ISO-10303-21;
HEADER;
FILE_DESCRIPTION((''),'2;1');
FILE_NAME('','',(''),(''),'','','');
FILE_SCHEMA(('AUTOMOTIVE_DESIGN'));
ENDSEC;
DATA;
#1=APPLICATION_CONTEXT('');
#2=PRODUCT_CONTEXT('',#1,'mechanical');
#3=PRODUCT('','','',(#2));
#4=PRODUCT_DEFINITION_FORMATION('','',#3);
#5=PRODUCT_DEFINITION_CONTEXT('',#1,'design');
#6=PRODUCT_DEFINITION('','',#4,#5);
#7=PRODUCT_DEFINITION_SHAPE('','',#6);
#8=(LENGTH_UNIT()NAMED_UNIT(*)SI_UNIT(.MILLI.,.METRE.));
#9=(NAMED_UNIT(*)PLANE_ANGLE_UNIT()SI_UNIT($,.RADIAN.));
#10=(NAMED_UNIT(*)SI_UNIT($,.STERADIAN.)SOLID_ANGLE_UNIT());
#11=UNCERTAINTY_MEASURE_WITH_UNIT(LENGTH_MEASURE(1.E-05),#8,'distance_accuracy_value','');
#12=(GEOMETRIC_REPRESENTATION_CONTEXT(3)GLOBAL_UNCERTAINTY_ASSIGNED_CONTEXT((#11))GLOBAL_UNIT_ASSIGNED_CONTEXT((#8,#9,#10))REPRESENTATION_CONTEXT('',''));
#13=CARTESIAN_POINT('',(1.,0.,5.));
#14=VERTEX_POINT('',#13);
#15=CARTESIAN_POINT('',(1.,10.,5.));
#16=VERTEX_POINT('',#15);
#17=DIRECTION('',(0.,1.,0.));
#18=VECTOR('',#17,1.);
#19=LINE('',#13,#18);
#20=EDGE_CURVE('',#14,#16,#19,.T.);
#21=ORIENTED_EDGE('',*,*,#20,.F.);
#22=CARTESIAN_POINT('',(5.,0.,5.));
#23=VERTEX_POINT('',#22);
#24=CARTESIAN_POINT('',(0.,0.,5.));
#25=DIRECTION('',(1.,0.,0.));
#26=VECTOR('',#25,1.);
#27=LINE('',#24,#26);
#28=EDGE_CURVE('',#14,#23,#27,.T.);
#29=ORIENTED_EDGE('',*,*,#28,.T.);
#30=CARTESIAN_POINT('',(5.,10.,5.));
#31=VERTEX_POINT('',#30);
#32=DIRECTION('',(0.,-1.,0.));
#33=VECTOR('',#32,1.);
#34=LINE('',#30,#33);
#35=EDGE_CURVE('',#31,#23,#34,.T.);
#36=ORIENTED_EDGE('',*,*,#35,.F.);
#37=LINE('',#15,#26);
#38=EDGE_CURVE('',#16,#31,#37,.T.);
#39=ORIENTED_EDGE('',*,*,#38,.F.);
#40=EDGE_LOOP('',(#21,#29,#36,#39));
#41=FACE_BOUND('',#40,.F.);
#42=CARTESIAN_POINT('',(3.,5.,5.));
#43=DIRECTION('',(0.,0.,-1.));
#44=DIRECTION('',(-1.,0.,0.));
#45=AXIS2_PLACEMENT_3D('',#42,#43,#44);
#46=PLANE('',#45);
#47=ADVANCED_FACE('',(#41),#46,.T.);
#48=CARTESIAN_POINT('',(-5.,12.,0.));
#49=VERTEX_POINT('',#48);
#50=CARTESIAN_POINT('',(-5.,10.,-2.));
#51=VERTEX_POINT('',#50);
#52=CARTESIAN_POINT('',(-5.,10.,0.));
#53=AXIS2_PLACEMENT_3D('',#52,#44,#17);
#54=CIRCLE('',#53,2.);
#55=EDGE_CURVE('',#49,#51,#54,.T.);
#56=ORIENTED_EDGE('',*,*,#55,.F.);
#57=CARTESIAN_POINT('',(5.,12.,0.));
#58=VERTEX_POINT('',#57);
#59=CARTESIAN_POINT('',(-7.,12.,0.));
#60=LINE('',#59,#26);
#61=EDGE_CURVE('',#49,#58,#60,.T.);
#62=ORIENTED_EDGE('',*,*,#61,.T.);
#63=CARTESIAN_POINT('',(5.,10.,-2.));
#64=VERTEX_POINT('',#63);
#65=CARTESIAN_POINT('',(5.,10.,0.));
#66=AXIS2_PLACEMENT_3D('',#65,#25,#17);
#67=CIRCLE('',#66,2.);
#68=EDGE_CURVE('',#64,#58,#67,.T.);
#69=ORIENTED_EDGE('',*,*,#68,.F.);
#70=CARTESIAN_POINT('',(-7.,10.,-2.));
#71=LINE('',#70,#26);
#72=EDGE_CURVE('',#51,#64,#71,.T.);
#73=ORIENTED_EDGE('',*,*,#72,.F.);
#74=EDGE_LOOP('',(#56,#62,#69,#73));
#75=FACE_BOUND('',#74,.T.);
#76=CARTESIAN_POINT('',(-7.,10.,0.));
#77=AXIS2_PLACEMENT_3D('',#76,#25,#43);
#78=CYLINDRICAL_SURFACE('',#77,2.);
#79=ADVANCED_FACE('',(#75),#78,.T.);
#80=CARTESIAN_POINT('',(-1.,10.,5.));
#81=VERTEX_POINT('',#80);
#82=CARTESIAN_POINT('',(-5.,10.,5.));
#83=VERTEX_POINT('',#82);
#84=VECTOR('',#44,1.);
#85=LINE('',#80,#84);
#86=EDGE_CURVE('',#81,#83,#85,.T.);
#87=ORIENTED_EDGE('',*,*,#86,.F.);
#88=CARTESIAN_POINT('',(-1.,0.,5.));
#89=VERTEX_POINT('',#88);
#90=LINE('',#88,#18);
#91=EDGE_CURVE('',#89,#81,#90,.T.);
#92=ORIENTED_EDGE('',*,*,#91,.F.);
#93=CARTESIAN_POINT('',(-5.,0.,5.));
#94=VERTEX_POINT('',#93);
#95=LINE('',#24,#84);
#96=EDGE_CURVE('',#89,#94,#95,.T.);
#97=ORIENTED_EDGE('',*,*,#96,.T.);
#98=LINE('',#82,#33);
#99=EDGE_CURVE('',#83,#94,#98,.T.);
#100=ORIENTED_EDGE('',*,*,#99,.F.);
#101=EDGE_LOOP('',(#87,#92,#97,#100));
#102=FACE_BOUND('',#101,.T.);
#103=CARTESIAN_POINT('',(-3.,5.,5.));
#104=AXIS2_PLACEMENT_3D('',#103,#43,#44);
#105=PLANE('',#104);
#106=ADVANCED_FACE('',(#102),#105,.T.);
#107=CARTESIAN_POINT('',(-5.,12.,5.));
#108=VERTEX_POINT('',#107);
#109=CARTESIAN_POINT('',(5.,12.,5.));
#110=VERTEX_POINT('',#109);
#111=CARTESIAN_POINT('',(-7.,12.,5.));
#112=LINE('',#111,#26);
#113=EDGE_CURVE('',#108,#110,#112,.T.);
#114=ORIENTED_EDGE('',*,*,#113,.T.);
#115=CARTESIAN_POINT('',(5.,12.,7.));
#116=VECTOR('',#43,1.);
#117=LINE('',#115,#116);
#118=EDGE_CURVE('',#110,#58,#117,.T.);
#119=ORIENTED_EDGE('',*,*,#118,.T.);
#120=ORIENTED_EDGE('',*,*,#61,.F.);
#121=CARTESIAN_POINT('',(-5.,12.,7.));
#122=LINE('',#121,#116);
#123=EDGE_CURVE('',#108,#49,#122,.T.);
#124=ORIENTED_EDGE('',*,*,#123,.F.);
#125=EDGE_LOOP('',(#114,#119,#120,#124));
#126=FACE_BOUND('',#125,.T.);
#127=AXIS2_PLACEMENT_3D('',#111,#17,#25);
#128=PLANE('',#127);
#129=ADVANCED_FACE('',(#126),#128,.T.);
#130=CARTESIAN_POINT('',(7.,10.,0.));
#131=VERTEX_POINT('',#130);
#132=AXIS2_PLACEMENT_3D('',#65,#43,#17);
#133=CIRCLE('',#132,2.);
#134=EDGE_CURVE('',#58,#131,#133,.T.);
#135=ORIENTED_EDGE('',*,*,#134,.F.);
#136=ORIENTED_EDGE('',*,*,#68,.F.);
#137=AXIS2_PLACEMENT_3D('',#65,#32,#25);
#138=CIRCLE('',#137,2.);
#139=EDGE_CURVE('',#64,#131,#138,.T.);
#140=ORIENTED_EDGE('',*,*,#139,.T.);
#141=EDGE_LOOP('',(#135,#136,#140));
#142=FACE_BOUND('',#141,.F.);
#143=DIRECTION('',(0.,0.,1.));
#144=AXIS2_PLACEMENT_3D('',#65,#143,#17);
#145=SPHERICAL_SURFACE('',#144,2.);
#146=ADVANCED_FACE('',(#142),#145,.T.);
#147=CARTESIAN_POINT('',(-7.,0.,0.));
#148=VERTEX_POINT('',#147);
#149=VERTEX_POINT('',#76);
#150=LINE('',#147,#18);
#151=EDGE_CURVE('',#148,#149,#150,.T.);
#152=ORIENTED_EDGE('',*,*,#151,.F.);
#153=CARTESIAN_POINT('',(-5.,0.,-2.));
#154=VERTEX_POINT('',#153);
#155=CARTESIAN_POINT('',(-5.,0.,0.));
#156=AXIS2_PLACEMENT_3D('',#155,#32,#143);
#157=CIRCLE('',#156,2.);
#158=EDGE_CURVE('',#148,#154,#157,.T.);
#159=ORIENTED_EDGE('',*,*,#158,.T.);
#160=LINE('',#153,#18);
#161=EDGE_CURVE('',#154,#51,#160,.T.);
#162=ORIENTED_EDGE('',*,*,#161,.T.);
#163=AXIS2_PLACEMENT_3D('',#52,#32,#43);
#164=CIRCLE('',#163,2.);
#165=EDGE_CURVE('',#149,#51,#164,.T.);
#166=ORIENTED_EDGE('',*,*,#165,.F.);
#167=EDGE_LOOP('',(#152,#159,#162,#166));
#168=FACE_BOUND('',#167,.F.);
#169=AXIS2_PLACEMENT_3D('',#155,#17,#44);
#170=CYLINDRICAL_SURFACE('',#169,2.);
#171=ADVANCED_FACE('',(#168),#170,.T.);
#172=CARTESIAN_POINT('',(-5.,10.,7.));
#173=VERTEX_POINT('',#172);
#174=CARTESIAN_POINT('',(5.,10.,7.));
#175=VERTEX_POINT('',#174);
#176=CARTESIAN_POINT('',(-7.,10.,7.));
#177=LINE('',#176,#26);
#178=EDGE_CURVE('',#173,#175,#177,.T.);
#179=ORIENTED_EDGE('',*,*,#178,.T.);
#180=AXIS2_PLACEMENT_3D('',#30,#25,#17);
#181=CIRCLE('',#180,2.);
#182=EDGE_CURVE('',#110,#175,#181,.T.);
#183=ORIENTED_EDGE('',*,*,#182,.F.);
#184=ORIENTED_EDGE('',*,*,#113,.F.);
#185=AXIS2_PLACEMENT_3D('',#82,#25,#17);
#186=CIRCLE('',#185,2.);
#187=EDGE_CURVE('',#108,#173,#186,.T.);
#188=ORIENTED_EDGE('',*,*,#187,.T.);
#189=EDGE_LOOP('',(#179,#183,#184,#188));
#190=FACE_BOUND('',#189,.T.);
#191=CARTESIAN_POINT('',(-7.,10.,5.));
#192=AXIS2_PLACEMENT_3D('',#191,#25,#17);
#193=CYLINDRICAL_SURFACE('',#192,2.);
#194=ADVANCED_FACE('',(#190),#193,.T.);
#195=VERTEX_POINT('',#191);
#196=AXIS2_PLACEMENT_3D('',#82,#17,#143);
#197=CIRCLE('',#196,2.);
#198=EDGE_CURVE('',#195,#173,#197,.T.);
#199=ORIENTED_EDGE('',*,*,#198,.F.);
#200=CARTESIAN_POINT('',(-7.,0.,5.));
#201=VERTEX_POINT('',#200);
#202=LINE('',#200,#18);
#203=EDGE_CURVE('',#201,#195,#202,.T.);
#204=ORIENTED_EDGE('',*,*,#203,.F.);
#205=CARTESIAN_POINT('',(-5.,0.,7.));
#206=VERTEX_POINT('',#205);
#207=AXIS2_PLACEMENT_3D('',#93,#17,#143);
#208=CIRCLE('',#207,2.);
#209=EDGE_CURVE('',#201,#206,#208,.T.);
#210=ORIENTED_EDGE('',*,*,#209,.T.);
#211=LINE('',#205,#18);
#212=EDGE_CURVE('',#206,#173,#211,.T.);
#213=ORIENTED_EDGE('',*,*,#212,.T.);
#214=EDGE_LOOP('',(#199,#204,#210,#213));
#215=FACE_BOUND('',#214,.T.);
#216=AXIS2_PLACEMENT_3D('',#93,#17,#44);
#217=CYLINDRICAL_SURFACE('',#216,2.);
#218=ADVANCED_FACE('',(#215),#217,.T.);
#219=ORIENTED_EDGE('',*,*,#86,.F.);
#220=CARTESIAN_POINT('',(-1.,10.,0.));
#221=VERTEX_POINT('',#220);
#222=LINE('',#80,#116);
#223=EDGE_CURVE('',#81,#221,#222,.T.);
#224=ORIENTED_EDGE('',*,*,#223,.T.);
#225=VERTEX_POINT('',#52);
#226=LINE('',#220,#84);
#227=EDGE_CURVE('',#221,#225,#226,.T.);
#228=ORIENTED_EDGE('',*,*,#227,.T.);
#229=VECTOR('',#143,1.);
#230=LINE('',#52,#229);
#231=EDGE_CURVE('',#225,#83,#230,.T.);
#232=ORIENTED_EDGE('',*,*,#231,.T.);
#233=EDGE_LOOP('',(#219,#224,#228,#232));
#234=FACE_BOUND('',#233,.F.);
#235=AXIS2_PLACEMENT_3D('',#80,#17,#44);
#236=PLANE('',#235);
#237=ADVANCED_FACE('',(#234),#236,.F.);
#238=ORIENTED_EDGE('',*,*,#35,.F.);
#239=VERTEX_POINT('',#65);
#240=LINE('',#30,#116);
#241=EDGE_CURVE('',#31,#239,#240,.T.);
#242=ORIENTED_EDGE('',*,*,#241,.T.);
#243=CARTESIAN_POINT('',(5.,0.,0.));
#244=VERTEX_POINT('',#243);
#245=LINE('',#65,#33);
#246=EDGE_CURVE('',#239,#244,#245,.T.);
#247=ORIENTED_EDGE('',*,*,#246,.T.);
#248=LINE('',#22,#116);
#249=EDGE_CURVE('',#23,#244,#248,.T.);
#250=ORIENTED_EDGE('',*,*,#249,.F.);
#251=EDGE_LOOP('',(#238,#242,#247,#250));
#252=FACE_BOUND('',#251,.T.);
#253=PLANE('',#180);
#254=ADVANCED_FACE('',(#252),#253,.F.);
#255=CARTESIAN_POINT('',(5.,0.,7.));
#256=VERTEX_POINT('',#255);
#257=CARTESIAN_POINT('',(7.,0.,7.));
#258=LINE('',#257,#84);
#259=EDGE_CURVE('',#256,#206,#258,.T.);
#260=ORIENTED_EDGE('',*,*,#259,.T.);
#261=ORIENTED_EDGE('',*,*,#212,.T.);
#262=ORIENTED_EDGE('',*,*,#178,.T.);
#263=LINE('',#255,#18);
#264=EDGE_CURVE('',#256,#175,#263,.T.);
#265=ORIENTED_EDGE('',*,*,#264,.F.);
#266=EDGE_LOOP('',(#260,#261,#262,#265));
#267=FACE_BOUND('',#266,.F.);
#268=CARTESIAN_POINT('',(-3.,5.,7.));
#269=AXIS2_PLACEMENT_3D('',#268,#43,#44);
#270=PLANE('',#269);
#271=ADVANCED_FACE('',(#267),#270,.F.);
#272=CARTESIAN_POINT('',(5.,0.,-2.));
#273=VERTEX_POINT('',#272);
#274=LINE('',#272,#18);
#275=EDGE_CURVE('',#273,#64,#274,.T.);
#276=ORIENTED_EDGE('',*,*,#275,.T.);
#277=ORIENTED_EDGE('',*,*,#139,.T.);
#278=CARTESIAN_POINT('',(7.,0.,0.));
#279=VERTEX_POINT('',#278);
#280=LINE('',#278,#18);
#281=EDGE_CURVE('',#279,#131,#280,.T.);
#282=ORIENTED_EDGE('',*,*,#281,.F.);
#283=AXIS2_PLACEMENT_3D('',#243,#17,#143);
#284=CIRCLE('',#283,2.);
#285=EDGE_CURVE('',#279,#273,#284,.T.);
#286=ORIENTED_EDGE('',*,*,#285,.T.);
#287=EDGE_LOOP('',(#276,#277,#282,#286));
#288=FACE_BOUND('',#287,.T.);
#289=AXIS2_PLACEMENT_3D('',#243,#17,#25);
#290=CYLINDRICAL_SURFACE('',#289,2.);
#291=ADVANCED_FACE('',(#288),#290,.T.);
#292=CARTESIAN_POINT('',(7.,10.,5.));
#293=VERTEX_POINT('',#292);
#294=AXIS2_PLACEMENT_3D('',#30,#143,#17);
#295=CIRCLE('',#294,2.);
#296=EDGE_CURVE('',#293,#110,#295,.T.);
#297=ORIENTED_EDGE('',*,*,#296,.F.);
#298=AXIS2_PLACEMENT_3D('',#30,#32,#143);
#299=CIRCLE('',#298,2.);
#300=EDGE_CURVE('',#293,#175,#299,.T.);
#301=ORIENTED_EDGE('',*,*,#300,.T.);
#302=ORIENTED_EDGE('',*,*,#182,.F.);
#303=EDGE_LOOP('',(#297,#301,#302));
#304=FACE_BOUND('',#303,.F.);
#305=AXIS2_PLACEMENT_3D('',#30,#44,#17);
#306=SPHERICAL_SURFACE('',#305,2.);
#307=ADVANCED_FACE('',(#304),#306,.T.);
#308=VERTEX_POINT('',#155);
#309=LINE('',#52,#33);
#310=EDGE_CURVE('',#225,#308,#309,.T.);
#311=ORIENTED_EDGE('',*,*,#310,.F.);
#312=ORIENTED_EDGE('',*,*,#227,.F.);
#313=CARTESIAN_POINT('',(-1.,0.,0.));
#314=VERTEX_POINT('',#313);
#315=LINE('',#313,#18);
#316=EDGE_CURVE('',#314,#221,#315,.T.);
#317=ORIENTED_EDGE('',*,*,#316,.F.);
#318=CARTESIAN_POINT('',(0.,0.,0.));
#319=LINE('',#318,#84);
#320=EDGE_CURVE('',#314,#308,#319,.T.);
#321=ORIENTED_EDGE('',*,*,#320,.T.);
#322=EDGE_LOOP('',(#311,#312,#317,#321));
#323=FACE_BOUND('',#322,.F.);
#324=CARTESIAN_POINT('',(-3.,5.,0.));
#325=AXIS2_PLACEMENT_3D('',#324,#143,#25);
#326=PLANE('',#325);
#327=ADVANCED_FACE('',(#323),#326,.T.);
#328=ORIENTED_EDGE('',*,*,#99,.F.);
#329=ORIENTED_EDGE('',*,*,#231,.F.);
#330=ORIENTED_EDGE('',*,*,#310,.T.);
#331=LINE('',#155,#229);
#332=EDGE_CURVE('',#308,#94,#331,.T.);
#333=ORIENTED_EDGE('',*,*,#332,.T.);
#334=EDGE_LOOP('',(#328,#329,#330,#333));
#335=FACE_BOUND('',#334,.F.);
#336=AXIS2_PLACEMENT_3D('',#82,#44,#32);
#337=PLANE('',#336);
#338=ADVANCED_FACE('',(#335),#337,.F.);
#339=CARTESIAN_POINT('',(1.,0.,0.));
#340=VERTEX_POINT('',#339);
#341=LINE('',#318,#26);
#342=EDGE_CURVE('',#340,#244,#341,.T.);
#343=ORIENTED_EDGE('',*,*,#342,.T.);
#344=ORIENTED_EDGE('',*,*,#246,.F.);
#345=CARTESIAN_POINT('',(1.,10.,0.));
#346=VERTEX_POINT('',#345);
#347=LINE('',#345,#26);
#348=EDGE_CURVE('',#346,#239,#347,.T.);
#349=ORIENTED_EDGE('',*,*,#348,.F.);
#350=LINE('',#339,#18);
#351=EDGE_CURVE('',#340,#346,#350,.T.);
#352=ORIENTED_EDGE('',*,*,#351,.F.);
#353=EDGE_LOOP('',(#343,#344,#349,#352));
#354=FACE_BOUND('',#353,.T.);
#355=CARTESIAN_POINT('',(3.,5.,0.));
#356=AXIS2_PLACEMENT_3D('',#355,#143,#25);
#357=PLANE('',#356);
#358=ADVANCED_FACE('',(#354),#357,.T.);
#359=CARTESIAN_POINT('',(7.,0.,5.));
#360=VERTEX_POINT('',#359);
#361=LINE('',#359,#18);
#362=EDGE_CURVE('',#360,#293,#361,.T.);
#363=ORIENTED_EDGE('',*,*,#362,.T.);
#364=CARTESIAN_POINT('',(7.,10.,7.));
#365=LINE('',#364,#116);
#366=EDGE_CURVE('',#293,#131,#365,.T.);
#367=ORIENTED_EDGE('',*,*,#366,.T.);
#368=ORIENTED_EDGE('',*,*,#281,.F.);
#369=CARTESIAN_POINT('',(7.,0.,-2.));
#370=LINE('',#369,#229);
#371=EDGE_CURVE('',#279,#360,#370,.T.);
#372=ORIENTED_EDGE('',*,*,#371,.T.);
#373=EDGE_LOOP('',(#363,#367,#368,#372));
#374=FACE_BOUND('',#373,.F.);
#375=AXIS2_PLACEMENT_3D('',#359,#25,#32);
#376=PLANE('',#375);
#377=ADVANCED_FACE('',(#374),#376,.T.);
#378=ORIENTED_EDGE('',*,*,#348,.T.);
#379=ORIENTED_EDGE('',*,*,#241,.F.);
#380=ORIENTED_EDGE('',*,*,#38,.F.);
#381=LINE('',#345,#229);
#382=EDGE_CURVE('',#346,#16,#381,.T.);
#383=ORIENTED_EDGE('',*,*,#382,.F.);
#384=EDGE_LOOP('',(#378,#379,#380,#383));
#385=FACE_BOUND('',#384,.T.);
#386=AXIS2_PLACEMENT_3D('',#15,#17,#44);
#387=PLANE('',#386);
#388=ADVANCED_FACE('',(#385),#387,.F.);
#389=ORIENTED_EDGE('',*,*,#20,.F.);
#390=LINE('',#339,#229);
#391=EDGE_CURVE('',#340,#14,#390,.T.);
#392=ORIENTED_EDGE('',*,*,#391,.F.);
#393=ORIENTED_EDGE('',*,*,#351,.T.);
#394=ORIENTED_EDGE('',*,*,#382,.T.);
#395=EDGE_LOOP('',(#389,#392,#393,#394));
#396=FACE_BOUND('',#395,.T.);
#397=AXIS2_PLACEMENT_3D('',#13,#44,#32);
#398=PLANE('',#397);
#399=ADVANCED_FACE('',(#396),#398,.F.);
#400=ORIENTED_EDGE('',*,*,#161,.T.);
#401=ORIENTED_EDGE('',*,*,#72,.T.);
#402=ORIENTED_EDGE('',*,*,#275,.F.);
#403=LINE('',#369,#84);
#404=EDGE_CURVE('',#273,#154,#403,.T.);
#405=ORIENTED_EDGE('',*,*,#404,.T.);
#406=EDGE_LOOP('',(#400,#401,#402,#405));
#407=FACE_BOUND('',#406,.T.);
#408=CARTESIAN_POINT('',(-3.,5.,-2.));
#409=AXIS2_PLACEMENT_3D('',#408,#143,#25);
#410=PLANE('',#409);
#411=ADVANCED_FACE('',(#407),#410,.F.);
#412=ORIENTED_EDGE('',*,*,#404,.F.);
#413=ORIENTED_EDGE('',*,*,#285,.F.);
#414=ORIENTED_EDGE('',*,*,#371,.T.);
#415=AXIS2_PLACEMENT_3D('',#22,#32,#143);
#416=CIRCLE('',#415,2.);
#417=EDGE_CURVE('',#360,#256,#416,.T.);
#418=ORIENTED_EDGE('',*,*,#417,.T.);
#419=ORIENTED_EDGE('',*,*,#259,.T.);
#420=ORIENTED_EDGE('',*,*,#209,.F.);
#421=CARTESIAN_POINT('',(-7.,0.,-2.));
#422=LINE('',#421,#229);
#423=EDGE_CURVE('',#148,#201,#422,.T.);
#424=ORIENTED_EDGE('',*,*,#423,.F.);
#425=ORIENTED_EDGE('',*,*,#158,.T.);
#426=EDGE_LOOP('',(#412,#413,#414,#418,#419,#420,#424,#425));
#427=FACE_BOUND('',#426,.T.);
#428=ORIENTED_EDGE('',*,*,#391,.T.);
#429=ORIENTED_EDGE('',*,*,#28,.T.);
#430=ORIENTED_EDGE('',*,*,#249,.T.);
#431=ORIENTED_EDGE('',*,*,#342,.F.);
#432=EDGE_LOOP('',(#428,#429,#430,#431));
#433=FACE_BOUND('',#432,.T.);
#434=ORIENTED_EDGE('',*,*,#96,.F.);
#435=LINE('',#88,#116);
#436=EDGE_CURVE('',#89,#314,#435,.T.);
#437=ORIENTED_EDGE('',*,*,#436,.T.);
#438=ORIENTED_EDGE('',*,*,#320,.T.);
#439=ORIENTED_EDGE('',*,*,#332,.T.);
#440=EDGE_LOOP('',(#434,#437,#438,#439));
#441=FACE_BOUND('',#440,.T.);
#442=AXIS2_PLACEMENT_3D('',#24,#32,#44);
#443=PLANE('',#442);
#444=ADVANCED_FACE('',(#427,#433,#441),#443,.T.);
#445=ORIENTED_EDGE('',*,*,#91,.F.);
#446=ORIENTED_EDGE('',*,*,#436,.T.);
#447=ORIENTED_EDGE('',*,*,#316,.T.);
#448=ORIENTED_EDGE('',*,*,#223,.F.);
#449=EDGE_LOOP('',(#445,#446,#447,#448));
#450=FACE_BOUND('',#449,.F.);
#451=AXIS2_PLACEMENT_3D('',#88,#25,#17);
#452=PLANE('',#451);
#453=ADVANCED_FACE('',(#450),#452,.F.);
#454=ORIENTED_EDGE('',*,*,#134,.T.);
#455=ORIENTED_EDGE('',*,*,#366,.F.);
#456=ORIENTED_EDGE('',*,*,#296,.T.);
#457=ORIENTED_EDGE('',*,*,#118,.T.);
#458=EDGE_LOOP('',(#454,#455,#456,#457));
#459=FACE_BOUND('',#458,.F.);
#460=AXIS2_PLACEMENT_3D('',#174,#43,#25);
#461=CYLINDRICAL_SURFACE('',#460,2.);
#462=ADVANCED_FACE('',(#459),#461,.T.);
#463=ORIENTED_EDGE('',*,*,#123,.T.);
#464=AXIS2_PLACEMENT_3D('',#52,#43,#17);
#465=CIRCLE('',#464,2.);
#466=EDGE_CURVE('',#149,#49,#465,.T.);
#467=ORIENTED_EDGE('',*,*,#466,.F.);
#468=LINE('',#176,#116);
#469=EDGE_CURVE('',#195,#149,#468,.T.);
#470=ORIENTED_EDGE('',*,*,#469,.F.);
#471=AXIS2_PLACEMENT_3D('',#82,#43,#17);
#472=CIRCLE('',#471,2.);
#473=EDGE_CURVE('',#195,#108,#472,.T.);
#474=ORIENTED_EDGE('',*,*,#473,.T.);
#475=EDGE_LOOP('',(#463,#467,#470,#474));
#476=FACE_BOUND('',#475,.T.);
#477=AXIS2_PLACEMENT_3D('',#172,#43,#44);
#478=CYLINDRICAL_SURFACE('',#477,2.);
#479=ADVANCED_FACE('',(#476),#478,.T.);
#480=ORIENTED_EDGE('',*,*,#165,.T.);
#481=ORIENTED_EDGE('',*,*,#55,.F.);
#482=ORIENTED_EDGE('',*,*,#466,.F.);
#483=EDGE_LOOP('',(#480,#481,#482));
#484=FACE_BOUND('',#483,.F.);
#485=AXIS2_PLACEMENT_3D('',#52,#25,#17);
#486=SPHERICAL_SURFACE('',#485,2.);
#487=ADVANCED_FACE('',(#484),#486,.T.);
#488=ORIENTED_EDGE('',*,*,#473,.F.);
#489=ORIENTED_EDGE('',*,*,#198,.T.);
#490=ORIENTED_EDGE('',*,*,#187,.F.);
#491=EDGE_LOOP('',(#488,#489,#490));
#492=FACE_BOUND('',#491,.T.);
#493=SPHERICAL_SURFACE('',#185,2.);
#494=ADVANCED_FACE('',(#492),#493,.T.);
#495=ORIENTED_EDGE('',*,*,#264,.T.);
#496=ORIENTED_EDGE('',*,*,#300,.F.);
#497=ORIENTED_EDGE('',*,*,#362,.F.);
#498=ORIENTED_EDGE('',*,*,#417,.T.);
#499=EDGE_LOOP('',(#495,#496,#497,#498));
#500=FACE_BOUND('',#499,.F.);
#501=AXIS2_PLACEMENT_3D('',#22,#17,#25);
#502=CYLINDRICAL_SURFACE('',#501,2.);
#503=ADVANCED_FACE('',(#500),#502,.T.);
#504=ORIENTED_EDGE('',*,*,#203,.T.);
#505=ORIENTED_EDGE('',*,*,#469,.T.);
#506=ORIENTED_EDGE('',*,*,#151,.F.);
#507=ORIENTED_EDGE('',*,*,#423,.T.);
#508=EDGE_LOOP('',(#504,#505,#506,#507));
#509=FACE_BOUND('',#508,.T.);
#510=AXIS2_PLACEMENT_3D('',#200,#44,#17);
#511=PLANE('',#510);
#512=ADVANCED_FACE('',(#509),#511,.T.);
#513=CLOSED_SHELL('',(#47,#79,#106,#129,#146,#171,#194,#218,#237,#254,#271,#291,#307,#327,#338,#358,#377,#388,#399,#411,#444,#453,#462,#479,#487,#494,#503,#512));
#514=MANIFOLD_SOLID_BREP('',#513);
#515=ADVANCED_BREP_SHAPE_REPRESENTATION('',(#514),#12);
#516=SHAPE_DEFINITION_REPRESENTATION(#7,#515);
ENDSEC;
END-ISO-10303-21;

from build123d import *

# Parameters (mm, degrees)
F1_DEPTH = 2.5
F0_W     = 4
F0_H     = 10
F2_DEPTH = 2
F5_R     = 2


with BuildPart() as f1:
    # F0 (on Top) → F1 (new body)
    with BuildSketch(Plane.XY):
        Polygon((0, 12), (0, 0), (1, 0), (1, 10), (5, 10), (5, 0), (7, 0), (7, 12), align=None)
    extrude(amount=F1_DEPTH)

    # F0 (on Top) → F2 (join)
    with BuildSketch(Plane.XY):
        with Locations((3, 5)):
            Rectangle(F0_W, F0_H)
        Polygon((0, 12), (0, 0), (1, 0), (1, 10), (5, 10), (5, 0), (7, 0), (7, 12), align=None)
    extrude(amount=-F2_DEPTH)

    # F3: F1 across face


with BuildPart() as f1_1:
    add(f1.part)
    add(f1.part.mirror(Plane(origin=(0, 6, 0.25), x_dir=(0, -1, 0), z_dir=(-1, 0, 0))))

    # F4: F1 across face


with BuildPart() as f1_2:
    add(f1_1.part)
    add(f1_1.part.mirror(Plane(origin=(0, 6.9090909091, 2.5), x_dir=(1, 0, 0), z_dir=(0, 0, 1))))

    # F5
    f5_edges = [f1_2.edges().sort_by_distance(p)[0] for p in [
        (0, 12, 7),
        (7, 12, 2.5),
        (0, 12, -2),
        (-7, 12, 2.5),
        (7, 6, 7),
        (-7, 6, 7),
        (7, 6, -2),
        (-7, 6, -2),
    ]]
    fillet(f5_edges, radius=F5_R)


solid = f1_2.part
